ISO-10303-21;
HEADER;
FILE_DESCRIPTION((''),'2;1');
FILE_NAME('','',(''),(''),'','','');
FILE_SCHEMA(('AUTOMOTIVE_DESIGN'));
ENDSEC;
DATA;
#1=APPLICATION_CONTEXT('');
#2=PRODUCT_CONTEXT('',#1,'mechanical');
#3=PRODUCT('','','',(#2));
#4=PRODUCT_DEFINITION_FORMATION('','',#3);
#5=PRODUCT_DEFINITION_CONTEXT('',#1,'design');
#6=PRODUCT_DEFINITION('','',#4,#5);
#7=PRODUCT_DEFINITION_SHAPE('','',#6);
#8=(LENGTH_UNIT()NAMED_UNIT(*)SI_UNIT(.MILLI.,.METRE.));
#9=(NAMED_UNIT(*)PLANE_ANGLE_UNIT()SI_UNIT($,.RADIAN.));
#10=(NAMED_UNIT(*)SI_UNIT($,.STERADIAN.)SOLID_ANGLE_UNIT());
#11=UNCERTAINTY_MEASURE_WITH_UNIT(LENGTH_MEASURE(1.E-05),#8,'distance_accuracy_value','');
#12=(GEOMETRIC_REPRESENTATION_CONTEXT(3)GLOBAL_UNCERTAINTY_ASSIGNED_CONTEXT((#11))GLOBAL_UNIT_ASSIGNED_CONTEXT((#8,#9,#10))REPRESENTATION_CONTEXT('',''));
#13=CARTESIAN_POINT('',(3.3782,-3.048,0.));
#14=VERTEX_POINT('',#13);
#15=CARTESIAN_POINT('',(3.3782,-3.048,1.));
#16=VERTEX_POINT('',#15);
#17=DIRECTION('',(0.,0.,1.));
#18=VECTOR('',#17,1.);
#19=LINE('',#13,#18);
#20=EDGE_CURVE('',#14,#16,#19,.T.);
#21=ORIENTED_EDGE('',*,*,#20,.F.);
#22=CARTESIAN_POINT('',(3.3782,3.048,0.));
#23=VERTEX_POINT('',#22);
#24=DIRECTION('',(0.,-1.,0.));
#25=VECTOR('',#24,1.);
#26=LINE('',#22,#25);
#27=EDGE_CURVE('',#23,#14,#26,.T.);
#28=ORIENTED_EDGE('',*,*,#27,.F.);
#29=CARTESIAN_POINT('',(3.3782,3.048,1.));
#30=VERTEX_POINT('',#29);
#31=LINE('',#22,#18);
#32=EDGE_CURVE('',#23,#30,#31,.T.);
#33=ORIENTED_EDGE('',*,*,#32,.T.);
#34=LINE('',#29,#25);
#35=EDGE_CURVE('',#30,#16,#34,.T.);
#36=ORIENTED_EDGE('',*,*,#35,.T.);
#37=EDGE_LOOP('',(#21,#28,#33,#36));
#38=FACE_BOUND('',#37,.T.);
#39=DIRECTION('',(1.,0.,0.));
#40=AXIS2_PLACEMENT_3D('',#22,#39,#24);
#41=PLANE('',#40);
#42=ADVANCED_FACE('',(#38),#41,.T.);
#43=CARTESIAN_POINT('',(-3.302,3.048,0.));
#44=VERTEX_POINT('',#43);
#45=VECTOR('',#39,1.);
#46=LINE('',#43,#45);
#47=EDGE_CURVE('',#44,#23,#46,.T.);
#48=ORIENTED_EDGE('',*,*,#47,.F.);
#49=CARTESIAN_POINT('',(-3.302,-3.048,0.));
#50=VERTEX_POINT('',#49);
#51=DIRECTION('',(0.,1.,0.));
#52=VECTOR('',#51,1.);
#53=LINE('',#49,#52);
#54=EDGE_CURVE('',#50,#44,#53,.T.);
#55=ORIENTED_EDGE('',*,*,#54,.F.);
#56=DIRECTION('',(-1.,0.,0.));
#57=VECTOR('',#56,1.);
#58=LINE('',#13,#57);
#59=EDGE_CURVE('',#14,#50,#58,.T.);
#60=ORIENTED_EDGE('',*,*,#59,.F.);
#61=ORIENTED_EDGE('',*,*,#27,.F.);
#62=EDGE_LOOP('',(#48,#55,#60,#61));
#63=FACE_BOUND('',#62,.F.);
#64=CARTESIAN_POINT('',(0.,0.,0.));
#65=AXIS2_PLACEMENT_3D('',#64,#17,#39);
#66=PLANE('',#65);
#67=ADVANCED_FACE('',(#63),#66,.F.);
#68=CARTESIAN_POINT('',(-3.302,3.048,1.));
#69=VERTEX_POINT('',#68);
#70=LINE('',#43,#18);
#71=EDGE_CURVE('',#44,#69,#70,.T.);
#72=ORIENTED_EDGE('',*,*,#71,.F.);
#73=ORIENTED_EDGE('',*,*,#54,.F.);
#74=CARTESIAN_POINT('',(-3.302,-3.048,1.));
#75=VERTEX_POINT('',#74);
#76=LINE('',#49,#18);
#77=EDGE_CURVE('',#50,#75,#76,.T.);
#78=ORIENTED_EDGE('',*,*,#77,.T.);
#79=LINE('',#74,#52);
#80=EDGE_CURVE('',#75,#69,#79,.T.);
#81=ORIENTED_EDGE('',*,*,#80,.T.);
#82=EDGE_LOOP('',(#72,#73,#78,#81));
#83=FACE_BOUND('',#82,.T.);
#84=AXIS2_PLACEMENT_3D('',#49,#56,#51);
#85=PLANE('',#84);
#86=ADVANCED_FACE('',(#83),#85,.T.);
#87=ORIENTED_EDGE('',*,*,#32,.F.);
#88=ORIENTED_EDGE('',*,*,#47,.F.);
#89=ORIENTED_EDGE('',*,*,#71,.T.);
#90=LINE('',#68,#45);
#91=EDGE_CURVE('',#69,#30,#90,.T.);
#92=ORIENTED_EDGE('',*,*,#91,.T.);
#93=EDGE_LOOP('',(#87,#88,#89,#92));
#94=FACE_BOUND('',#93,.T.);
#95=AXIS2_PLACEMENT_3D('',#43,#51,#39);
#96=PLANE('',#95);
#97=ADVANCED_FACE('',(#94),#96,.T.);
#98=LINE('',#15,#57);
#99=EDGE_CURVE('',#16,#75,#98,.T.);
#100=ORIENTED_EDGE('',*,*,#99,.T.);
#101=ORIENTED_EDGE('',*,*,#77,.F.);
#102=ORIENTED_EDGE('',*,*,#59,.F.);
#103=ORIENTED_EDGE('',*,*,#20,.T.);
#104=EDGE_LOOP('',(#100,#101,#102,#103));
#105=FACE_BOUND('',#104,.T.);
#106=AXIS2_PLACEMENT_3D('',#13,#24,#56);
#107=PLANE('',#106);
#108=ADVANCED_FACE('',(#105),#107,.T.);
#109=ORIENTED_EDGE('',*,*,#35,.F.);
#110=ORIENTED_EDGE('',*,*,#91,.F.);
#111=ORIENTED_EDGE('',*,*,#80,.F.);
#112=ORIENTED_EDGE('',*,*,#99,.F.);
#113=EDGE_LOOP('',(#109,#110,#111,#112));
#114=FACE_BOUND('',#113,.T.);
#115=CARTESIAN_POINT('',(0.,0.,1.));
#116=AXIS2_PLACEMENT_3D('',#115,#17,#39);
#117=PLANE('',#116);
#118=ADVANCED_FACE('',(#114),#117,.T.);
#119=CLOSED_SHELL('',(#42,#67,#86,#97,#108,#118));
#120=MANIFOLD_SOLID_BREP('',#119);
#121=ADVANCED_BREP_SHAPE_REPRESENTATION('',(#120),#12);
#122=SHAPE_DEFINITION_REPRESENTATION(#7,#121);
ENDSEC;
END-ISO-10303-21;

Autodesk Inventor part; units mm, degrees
ref_plane "YZ Plane" through (0, 0, 0) normal (1, 0, 0) x (0, 1, 0)
ref_plane "XZ Plane" through (0, 0, 0) normal (0, 1, 0) x (-1, 0, 0)
ref_plane "XY Plane" through (0, 0, 0) normal (0, 0, 1) x (1, 0, 0)
sketch "B3F-10XX, SW-PC4_B3F-10XX_62" plane through (0, 0, 0) normal (0, 0, 1) x (1, 0, 0)
  line L0 (-3.302, 3.048) -> (3.3782, 3.048)
  line L1 (3.3782, 3.048) -> (3.3782, -3.048)
  line L2 (3.3782, -3.048) -> (-3.302, -3.048)
  line L3 (-3.302, -3.048) -> (-3.302, 3.048)
extrude "Extrusion1" add sketch "B3F-10XX, SW-PC4_B3F-10XX_62" along normal blind 1
properties part number "SW-PC4_B3F-10XX"
